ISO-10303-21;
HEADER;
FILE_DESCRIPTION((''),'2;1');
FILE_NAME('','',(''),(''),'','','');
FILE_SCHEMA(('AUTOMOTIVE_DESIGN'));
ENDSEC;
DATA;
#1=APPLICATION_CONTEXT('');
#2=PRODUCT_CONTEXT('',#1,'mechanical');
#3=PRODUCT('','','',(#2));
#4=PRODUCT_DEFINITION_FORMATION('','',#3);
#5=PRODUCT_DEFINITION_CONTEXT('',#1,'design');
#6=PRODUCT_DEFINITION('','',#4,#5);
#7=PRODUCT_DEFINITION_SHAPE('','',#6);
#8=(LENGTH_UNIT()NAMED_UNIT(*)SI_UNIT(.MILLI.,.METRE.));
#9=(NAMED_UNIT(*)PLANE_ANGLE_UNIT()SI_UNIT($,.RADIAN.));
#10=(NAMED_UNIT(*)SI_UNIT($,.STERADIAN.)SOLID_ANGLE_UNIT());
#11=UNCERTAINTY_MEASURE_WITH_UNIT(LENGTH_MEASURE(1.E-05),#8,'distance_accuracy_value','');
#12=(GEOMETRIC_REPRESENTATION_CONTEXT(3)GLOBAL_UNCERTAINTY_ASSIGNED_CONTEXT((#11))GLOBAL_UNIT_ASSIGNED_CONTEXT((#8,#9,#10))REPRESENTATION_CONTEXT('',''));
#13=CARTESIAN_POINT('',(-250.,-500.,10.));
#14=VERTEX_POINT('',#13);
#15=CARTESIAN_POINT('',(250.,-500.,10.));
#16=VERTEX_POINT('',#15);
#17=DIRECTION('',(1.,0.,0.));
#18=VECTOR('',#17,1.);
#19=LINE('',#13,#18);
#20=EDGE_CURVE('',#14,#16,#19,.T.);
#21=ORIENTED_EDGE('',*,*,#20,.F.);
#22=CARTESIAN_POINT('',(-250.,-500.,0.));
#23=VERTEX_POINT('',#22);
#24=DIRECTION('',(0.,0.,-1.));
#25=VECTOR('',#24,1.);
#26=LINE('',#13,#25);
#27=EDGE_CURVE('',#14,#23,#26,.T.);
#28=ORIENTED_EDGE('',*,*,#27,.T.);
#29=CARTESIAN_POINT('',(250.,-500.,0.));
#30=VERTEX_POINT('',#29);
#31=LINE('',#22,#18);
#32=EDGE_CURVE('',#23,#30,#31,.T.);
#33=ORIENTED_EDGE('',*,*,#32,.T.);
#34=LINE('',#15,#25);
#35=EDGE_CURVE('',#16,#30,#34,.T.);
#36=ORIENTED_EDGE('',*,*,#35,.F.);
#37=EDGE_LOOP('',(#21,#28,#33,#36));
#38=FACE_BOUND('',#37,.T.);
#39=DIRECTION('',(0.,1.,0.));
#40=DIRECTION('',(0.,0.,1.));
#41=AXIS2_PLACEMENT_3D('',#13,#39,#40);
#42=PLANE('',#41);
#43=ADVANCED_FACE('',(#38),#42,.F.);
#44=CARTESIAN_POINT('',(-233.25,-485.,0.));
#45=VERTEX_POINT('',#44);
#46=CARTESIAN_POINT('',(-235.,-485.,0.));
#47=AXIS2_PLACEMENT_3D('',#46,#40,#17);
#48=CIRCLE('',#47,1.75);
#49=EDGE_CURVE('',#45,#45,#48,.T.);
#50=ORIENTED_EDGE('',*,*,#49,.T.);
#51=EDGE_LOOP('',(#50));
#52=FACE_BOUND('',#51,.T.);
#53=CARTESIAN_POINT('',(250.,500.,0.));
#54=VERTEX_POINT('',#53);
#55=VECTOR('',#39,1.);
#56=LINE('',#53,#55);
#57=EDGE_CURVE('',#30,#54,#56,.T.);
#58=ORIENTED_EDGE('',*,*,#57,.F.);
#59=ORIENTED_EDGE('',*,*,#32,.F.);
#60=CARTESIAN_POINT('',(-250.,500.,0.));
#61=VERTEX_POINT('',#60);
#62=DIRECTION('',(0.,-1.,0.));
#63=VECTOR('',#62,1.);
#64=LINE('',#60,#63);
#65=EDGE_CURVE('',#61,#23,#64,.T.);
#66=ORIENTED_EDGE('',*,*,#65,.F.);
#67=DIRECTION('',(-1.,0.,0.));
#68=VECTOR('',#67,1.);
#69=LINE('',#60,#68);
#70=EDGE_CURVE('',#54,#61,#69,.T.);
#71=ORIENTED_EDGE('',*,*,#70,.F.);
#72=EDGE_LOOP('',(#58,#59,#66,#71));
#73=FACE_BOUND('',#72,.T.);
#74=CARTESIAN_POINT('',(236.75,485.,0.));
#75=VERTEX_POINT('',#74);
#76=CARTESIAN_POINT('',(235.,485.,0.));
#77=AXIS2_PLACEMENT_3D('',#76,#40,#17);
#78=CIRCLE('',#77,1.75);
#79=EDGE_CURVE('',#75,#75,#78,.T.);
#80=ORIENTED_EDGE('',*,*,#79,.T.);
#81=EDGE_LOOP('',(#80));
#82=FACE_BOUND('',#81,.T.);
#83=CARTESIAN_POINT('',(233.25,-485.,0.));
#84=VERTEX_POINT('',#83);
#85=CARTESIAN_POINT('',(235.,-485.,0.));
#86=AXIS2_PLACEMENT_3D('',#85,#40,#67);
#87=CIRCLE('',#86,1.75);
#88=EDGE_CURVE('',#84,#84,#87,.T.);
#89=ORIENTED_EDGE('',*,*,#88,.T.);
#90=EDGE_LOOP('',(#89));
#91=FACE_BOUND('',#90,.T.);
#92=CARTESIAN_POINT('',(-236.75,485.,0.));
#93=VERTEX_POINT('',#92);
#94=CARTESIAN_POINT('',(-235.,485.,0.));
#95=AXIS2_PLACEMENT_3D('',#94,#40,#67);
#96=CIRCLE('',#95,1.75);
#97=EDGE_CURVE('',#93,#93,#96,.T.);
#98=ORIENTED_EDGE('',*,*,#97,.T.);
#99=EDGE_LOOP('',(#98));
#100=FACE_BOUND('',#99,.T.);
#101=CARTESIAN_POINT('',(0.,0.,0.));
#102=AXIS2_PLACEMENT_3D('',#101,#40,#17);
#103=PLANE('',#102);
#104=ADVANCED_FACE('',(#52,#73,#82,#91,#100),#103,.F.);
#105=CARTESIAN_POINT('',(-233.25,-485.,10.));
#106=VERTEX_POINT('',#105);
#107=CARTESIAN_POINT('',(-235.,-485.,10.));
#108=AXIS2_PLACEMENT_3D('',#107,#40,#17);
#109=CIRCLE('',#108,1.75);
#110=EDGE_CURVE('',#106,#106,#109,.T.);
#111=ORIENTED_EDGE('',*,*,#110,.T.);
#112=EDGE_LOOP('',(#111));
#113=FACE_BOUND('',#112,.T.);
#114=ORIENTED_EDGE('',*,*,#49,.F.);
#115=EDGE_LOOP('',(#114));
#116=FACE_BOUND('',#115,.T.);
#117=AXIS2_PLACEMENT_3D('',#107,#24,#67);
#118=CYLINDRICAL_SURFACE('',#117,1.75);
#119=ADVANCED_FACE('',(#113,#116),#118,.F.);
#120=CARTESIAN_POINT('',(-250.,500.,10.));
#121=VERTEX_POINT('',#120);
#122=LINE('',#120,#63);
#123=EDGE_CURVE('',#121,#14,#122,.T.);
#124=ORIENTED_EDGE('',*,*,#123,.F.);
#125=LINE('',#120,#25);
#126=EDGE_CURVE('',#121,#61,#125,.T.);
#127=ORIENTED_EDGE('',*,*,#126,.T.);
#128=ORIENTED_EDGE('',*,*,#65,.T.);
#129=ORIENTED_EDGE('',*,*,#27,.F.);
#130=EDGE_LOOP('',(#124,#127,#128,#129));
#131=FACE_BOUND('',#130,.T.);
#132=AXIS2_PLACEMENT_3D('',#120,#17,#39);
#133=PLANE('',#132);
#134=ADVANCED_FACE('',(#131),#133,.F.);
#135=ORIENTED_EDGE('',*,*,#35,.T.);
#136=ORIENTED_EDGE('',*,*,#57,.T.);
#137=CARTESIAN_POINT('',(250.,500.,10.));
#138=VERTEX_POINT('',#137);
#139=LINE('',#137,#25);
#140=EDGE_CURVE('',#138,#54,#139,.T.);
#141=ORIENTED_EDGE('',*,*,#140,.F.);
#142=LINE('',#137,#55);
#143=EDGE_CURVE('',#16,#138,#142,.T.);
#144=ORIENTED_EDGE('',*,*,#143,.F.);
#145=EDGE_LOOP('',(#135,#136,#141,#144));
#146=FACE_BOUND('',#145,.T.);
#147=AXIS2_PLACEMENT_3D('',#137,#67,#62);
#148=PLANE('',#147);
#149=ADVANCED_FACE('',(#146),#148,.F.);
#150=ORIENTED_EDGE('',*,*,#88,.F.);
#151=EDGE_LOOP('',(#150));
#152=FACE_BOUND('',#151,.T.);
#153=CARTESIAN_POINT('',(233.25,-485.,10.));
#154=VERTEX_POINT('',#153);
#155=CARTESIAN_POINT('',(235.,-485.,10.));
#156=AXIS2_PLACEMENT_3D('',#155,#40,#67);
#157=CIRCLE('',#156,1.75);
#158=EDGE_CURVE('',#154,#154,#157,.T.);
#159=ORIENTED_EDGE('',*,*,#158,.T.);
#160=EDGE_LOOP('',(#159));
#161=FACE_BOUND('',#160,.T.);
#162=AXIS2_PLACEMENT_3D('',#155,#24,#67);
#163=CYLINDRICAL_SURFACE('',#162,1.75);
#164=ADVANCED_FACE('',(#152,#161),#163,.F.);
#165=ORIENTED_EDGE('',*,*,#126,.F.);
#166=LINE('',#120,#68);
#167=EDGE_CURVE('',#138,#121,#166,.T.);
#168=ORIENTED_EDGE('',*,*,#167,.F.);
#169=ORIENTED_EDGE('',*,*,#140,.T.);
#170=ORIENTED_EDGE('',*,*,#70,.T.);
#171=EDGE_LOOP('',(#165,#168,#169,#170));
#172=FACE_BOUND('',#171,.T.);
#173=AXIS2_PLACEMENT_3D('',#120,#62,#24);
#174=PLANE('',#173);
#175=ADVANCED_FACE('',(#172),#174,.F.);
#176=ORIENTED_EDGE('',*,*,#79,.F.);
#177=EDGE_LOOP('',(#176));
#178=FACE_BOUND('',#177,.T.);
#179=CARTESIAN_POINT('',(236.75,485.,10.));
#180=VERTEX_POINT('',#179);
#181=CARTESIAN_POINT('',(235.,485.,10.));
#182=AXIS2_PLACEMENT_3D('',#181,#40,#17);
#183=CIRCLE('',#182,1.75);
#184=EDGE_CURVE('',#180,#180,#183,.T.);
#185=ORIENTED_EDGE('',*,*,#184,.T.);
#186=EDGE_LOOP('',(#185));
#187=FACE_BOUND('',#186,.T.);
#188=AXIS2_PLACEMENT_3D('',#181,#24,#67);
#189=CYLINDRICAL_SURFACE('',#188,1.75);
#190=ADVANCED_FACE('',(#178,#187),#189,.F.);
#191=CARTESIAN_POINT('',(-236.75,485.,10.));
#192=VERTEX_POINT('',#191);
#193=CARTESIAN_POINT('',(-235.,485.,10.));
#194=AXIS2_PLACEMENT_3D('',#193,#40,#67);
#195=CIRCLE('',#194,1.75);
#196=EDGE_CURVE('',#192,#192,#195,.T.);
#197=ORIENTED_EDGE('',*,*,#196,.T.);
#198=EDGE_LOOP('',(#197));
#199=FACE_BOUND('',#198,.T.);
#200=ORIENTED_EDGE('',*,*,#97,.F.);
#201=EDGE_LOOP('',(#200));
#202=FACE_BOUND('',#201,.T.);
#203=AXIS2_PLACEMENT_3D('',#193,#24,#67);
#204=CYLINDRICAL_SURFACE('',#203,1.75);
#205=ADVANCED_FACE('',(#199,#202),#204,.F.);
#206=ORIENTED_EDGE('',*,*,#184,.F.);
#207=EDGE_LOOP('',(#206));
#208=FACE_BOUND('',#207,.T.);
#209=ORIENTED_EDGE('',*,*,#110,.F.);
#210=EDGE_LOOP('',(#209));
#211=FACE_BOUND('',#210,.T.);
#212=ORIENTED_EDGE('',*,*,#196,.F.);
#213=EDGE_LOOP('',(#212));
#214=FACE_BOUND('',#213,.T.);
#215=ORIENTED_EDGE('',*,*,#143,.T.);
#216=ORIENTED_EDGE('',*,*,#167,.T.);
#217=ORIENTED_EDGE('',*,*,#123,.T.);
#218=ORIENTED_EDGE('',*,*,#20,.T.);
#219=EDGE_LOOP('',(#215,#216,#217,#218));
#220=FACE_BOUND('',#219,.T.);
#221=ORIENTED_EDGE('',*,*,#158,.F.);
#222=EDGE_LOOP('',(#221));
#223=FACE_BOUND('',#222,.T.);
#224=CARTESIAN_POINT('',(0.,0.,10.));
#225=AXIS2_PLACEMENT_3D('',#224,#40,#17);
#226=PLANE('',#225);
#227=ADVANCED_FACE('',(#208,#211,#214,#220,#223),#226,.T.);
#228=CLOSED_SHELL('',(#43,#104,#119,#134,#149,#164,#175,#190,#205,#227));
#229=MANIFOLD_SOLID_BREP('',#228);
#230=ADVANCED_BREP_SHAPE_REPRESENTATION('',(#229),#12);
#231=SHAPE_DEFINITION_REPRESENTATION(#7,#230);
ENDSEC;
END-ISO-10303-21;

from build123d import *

# Parameters (mm, degrees)
ESQUISSE1_W        = 500
ESQUISSE1_H        = 1000
ESQUISSE1_R        = 1.75
BOSS_EXTRU_1_DEPTH = 10


with BuildPart() as part:
    # Esquisse1 → Boss.-Extru.1 (new body)
    with BuildSketch(Plane.XY):
        Rectangle(ESQUISSE1_W, ESQUISSE1_H)
        with Locations((235, 485)):
            Circle(ESQUISSE1_R, mode=Mode.SUBTRACT)
        with Locations(Location((235, -485, 0), (0, 0, 180))):
            Circle(ESQUISSE1_R, mode=Mode.SUBTRACT)
        with Locations((-235, -485)):
            Circle(ESQUISSE1_R, mode=Mode.SUBTRACT)
        with Locations(Location((-235, 485, 0), (0, 0, 180))):
            Circle(ESQUISSE1_R, mode=Mode.SUBTRACT)
    extrude(amount=BOSS_EXTRU_1_DEPTH)


solid = part.part
